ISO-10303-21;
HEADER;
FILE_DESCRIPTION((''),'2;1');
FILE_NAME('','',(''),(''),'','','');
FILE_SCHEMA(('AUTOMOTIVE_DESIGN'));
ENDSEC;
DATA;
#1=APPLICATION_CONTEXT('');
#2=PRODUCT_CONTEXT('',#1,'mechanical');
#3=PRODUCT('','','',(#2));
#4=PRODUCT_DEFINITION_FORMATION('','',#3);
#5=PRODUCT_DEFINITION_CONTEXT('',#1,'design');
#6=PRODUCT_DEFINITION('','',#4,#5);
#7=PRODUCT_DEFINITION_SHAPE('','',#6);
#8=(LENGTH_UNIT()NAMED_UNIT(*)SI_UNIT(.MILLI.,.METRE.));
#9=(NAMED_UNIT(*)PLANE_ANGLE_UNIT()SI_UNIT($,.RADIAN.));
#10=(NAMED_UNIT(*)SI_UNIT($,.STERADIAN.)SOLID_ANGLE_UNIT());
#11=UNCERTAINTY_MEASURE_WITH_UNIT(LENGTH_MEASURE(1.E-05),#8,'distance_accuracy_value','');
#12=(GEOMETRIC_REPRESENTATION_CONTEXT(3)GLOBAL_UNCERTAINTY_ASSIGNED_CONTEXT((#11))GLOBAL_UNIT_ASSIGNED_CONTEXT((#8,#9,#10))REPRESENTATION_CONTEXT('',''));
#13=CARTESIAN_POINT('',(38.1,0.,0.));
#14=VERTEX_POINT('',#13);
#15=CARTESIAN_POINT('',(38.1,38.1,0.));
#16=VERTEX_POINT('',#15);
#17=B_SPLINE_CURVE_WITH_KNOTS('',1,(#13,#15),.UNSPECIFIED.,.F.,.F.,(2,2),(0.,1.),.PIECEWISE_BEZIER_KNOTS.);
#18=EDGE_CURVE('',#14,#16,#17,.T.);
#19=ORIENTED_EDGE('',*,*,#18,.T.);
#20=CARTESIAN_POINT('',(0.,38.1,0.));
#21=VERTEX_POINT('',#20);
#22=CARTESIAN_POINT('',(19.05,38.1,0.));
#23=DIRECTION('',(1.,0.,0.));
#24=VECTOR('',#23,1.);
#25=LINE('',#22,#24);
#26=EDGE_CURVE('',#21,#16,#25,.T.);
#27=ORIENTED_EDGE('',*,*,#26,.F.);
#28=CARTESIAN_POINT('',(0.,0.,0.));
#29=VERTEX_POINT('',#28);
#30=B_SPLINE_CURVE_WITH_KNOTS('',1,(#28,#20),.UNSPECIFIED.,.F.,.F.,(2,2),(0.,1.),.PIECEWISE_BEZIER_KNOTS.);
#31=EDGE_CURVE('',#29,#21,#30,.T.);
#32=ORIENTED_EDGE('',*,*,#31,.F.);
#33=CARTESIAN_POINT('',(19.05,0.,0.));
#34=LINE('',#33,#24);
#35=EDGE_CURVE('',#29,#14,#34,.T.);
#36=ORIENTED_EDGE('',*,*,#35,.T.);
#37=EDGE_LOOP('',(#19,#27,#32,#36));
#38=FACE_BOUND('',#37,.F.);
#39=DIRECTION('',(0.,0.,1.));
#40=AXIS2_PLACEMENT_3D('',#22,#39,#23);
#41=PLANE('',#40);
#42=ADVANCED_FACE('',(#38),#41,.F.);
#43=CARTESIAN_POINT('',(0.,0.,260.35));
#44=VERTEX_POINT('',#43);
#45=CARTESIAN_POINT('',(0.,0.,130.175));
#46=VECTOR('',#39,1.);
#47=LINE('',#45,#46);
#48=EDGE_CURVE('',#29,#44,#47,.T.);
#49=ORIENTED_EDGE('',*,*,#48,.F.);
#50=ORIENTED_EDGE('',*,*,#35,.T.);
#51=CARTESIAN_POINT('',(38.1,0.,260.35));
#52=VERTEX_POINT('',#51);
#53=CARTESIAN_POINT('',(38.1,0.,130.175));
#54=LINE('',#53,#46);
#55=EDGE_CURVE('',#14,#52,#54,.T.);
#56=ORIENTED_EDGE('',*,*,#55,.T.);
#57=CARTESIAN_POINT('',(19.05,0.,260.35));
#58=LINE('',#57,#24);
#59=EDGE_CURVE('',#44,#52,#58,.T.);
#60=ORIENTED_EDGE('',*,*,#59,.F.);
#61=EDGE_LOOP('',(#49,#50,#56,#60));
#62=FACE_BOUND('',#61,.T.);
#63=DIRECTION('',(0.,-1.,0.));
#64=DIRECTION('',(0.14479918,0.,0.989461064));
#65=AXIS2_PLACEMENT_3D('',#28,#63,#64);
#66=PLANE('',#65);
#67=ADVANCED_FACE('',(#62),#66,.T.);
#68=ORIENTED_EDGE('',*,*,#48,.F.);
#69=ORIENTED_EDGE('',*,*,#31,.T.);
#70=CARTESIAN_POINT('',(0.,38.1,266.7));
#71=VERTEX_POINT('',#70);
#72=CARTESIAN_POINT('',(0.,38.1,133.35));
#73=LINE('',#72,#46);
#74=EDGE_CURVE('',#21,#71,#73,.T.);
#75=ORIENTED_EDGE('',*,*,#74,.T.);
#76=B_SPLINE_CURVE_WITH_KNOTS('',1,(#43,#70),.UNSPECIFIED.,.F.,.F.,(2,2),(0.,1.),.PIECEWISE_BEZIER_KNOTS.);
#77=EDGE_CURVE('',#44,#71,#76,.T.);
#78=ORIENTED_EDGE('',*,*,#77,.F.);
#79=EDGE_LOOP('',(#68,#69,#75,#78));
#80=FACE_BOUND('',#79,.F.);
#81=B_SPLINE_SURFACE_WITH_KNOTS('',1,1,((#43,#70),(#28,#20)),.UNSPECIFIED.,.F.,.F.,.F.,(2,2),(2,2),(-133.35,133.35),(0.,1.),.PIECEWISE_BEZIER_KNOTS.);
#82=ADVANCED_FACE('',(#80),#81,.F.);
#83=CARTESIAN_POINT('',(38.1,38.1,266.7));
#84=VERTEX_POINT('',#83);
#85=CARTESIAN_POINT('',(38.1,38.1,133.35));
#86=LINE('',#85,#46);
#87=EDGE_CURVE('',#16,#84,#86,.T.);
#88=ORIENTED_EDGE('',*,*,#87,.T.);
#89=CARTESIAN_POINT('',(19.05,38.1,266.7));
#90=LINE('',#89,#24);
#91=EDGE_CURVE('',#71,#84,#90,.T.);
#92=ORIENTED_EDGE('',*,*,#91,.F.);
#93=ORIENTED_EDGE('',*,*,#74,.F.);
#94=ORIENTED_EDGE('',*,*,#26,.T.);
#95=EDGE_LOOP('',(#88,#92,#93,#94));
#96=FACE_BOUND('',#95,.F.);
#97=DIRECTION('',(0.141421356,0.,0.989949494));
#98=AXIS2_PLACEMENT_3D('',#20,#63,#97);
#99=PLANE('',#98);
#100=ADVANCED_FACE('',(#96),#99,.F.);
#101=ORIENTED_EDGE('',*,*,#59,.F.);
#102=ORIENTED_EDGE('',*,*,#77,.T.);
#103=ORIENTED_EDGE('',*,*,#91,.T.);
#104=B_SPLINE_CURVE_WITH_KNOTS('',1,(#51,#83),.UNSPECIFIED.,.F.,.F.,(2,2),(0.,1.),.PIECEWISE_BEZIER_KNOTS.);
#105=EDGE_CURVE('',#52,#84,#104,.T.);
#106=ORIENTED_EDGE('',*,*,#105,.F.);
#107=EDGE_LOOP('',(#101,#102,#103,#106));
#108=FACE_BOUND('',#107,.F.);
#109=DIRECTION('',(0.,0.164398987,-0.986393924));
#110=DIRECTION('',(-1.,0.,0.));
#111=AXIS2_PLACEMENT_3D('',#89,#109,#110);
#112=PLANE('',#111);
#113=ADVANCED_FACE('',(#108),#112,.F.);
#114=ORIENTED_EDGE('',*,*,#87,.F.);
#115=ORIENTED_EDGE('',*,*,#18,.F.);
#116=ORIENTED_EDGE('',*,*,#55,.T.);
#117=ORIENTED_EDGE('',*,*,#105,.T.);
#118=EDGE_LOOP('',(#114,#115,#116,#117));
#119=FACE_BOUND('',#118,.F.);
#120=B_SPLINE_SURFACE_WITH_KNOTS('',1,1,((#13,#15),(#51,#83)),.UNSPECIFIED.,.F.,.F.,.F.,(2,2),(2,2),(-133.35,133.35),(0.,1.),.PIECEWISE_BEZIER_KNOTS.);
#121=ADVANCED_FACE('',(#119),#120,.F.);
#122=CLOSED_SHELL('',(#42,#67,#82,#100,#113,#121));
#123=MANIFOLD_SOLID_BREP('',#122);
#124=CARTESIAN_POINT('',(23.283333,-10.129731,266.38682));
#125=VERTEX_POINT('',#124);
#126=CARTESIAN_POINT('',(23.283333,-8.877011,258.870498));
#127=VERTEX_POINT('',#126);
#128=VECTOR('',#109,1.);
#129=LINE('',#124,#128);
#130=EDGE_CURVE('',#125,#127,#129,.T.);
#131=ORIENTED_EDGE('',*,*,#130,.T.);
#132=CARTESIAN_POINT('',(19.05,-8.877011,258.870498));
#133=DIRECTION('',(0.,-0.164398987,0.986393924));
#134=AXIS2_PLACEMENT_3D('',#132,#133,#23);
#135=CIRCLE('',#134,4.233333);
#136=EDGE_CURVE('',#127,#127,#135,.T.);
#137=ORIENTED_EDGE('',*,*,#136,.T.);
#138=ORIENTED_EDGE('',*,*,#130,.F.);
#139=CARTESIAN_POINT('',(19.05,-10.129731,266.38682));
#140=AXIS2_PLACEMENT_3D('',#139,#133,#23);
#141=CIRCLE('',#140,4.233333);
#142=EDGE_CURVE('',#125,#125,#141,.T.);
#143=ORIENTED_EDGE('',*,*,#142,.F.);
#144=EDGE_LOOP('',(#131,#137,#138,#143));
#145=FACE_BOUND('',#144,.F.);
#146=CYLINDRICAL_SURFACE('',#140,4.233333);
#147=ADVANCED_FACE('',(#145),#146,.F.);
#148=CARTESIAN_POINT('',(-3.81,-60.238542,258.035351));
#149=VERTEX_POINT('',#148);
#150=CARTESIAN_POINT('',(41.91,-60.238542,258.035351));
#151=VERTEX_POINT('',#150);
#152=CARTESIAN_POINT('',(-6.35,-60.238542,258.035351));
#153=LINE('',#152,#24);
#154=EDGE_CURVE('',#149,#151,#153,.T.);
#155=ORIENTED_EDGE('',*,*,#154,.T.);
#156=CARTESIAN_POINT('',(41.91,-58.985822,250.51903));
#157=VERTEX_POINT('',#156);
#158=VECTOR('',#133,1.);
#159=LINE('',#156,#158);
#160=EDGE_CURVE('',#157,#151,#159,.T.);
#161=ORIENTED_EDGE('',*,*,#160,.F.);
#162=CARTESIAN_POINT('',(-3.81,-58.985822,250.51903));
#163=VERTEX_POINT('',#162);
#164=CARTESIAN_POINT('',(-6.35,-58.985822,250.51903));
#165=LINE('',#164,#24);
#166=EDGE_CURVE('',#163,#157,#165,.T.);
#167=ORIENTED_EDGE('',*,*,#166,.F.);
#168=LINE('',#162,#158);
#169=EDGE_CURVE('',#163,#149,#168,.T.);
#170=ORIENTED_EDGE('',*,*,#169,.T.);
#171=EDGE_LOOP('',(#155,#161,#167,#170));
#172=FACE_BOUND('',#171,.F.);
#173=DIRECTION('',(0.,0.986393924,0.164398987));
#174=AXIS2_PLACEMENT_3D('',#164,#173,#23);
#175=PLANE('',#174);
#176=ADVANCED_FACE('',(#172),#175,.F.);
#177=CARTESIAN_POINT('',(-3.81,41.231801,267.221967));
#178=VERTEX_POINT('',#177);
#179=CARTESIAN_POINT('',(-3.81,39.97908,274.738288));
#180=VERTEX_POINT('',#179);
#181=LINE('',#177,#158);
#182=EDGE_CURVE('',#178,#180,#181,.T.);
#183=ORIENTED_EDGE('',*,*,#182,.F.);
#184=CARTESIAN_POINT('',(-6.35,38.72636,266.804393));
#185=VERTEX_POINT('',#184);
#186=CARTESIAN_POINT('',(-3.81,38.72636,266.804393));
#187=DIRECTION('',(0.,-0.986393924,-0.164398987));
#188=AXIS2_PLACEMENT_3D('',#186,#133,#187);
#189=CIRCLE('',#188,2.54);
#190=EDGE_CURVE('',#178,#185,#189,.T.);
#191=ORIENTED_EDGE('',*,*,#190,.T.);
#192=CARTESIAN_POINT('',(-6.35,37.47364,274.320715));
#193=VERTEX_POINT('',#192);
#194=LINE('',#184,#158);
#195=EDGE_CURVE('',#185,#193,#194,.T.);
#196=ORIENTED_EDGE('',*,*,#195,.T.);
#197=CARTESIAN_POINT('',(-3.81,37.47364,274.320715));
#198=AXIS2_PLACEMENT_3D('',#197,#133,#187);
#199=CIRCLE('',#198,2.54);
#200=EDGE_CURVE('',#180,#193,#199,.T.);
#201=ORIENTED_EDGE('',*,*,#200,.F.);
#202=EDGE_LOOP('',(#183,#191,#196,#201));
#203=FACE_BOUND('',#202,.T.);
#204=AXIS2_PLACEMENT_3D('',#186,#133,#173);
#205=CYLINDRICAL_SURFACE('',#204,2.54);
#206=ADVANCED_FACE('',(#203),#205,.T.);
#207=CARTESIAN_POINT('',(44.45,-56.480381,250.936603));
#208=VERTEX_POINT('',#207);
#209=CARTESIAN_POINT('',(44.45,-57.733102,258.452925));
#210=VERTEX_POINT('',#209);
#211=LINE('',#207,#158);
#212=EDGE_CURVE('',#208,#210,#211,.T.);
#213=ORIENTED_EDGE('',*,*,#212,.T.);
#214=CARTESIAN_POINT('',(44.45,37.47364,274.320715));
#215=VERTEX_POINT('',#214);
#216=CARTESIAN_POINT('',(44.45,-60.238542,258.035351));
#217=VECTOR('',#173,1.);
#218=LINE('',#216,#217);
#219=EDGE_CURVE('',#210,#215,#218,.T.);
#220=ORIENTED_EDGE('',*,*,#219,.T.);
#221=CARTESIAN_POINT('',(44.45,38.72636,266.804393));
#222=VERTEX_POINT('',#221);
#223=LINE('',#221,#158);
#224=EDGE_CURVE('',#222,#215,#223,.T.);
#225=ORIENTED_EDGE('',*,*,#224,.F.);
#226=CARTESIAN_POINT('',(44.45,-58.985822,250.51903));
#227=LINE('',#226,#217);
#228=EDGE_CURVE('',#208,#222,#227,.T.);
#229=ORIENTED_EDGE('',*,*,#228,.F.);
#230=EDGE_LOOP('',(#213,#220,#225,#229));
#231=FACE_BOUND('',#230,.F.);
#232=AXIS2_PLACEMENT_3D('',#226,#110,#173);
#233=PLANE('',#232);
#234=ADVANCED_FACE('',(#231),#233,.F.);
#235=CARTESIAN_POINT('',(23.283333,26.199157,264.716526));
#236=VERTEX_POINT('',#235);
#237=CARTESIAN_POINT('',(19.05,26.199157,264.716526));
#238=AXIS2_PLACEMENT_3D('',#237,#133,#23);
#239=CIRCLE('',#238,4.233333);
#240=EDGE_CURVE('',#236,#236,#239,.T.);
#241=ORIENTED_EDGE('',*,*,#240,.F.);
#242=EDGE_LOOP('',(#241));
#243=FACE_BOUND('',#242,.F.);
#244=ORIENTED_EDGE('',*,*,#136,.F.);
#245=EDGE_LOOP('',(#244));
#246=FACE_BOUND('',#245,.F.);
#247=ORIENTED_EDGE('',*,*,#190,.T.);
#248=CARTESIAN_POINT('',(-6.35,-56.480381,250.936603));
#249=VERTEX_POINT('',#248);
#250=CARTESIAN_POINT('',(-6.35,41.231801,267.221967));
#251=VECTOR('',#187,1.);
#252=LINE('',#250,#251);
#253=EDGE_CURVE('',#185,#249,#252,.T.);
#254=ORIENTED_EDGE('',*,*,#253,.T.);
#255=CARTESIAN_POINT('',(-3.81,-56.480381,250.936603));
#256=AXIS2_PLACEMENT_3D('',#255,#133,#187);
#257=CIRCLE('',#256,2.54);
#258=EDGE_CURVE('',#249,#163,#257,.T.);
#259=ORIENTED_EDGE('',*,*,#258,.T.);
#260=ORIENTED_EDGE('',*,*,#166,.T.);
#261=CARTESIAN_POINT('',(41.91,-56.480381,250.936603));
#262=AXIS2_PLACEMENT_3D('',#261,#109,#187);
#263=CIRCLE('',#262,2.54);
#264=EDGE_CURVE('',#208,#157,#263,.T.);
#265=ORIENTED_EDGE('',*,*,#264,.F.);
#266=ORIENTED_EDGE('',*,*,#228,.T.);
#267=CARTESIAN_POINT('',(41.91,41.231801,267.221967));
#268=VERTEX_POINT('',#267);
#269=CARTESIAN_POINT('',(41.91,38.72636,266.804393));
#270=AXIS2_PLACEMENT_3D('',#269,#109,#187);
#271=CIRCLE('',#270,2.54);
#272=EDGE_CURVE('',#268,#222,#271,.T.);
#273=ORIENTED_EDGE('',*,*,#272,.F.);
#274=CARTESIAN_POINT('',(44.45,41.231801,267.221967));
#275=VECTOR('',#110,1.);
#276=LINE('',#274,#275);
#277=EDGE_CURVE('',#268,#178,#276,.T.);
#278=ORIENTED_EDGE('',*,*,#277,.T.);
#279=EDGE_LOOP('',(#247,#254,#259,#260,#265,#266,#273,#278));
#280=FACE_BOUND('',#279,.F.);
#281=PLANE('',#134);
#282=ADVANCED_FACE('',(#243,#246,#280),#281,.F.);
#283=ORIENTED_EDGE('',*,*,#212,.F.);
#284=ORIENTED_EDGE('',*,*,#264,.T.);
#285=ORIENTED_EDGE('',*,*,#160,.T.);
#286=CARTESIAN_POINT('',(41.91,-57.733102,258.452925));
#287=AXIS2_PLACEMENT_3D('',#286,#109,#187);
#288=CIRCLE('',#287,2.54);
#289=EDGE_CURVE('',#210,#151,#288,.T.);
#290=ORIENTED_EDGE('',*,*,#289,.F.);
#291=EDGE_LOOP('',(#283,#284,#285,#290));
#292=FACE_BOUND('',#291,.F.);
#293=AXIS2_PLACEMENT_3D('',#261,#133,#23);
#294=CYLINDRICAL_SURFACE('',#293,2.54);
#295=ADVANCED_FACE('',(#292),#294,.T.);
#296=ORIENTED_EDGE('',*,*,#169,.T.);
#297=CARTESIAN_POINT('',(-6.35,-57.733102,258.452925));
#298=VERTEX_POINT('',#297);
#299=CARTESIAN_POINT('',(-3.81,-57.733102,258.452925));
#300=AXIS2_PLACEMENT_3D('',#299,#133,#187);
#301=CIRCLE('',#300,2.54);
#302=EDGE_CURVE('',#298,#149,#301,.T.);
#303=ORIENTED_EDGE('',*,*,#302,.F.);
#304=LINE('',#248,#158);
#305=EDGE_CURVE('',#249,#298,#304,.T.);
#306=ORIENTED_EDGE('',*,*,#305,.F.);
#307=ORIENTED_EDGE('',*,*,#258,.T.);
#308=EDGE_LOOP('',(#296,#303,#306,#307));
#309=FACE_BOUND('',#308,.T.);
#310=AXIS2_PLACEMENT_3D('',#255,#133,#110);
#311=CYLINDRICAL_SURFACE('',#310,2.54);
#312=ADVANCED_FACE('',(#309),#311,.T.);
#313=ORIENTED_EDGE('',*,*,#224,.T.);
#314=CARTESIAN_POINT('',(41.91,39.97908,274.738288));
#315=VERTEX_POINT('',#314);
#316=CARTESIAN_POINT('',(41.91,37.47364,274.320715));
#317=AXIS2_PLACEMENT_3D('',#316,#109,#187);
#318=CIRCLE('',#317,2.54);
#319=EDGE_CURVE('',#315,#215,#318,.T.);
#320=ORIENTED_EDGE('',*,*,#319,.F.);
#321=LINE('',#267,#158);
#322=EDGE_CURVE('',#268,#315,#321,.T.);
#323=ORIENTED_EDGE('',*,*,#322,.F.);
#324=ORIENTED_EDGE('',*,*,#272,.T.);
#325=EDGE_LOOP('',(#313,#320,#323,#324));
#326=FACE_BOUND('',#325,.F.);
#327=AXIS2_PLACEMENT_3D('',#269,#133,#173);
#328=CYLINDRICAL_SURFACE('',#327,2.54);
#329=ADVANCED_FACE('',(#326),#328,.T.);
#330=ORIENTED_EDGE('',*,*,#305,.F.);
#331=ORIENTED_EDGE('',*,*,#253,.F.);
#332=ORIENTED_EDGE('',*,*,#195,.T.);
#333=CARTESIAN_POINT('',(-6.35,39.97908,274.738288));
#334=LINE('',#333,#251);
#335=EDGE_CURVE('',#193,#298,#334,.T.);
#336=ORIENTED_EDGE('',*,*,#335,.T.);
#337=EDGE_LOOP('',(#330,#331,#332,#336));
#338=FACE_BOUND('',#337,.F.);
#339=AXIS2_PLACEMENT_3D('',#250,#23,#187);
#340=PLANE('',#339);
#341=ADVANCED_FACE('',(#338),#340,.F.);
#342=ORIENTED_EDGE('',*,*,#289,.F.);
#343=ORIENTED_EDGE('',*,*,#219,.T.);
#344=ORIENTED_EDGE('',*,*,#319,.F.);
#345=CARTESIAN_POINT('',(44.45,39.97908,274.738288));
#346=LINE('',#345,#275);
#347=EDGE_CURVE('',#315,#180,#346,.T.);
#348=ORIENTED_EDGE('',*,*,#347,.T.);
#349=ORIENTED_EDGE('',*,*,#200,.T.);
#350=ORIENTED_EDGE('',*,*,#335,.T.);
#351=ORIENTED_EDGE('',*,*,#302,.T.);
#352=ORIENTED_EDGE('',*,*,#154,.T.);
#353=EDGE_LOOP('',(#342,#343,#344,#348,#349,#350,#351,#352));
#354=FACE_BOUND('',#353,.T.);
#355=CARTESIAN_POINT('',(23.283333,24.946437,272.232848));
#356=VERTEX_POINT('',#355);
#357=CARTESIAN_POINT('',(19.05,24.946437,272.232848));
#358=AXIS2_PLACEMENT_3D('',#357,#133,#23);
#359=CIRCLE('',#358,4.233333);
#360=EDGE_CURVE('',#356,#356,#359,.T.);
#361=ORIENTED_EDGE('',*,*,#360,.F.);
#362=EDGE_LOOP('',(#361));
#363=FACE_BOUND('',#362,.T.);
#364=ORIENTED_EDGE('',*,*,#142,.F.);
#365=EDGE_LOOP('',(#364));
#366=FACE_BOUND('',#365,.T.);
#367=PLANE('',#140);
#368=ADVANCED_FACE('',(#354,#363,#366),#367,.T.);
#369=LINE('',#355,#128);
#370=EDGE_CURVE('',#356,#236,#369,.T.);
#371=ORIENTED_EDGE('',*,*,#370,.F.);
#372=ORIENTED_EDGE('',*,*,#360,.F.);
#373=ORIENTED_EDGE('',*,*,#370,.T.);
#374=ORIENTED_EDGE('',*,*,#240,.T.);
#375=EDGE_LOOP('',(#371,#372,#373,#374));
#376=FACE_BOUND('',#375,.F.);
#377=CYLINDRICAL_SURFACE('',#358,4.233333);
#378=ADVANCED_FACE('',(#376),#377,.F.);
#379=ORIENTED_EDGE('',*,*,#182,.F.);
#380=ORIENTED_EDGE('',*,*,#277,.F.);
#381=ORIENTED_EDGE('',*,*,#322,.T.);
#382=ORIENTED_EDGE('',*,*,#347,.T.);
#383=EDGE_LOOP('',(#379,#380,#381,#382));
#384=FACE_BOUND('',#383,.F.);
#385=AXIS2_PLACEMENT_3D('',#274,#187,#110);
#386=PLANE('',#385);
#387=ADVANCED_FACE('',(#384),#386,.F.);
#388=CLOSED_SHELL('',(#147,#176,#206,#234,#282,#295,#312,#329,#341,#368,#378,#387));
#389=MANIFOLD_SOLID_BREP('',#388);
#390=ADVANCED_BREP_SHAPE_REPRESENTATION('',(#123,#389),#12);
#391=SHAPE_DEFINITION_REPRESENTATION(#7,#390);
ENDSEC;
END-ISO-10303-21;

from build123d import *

# Parameters (mm, degrees)
F0_W     = 38.1
F0_H     = 260.35
F2_W     = 38.1
F2_H     = 266.7
F5_DEPTH = 7.62
F6_R     = 4.2333333333
F7_DEPTH = 7.62
F8_R     = 2.54


with BuildPart() as f3:
    # F0 (on Front) → F3 section 0
    with BuildSketch(Plane.XZ):
        with Locations((19.05, 130.175)):
            Rectangle(F0_W, F0_H)
    # F2 (on offset) → F3 section 1
    with BuildSketch(Plane.XZ.offset(-38.1)):
        with Locations((19.05, 133.35)):
            Rectangle(F2_W, F2_H)
    loft()


with BuildPart() as f5:
    # F4 (on face) → F5 (new body)
    with BuildSketch(Plane(origin=(0, -42.2189189189, 253.3135135135), x_dir=(1, 0, 0), z_dir=(0, -0.1643989873, 0.9863939238))):
        Polygon((44.45, 84.6018184123), (-6.35, 84.6018184123), (-6.35, 81.4268184123), (-6.35, -16.9981815877), (44.45, -16.9981815877), align=None)
        with BuildLine():
            Line((38.1, 42.8012763449), (0, 42.8012763449))
            add(Edge.make_bspline(
                [(0, 42.8012763449), (0, 81.4268184123)],
                knots=[0, 0, 1, 1], degree=1))
            Line((0, 81.4268184123), (38.1, 81.4268184123))
            add(Edge.make_bspline(
                [(38.1, 42.8012763449), (38.1, 81.4268184123)],
                knots=[0, 0, 1, 1], degree=1))
        make_face(mode=Mode.SUBTRACT)
        with BuildLine():
            add(Edge.make_bspline(
                [(0, 42.8012763449), (0, 81.4268184123)],
                knots=[0, 0, 1, 1], degree=1))
            Line((0, 42.8012763449), (38.1, 42.8012763449))
            add(Edge.make_bspline(
                [(38.1, 42.8012763449), (38.1, 81.4268184123)],
                knots=[0, 0, 1, 1], degree=1))
            Line((38.1, 81.4268184123), (0, 81.4268184123))
        make_face()
    extrude(amount=F5_DEPTH)

    # F6 (on face) → F7 (cut)
    with BuildSketch(Plane(origin=(0, -43.4716392022, 260.8298352131), x_dir=(1, 0, 0), z_dir=(0, -0.1643989873, 0.9863939238))):
        with Locations((19.05, 33.8018184123)):
            Circle(F6_R)
        with Locations((19.05, 69.3618184123)):
            Circle(F6_R)
    extrude(amount=-F7_DEPTH, mode=Mode.SUBTRACT)

    # F8
    f8_edges = [f5.edges().sort_by_distance(p)[0] for p in [
        (44.45, -59.612182, 254.277191),
        (-6.35, -59.612182, 254.277191),
        (-6.35, 40.605441, 270.980128),
        (44.45, 40.605441, 270.980128),
    ]]
    fillet(f8_edges, radius=F8_R)


solid = Compound([f3.part, f5.part])
